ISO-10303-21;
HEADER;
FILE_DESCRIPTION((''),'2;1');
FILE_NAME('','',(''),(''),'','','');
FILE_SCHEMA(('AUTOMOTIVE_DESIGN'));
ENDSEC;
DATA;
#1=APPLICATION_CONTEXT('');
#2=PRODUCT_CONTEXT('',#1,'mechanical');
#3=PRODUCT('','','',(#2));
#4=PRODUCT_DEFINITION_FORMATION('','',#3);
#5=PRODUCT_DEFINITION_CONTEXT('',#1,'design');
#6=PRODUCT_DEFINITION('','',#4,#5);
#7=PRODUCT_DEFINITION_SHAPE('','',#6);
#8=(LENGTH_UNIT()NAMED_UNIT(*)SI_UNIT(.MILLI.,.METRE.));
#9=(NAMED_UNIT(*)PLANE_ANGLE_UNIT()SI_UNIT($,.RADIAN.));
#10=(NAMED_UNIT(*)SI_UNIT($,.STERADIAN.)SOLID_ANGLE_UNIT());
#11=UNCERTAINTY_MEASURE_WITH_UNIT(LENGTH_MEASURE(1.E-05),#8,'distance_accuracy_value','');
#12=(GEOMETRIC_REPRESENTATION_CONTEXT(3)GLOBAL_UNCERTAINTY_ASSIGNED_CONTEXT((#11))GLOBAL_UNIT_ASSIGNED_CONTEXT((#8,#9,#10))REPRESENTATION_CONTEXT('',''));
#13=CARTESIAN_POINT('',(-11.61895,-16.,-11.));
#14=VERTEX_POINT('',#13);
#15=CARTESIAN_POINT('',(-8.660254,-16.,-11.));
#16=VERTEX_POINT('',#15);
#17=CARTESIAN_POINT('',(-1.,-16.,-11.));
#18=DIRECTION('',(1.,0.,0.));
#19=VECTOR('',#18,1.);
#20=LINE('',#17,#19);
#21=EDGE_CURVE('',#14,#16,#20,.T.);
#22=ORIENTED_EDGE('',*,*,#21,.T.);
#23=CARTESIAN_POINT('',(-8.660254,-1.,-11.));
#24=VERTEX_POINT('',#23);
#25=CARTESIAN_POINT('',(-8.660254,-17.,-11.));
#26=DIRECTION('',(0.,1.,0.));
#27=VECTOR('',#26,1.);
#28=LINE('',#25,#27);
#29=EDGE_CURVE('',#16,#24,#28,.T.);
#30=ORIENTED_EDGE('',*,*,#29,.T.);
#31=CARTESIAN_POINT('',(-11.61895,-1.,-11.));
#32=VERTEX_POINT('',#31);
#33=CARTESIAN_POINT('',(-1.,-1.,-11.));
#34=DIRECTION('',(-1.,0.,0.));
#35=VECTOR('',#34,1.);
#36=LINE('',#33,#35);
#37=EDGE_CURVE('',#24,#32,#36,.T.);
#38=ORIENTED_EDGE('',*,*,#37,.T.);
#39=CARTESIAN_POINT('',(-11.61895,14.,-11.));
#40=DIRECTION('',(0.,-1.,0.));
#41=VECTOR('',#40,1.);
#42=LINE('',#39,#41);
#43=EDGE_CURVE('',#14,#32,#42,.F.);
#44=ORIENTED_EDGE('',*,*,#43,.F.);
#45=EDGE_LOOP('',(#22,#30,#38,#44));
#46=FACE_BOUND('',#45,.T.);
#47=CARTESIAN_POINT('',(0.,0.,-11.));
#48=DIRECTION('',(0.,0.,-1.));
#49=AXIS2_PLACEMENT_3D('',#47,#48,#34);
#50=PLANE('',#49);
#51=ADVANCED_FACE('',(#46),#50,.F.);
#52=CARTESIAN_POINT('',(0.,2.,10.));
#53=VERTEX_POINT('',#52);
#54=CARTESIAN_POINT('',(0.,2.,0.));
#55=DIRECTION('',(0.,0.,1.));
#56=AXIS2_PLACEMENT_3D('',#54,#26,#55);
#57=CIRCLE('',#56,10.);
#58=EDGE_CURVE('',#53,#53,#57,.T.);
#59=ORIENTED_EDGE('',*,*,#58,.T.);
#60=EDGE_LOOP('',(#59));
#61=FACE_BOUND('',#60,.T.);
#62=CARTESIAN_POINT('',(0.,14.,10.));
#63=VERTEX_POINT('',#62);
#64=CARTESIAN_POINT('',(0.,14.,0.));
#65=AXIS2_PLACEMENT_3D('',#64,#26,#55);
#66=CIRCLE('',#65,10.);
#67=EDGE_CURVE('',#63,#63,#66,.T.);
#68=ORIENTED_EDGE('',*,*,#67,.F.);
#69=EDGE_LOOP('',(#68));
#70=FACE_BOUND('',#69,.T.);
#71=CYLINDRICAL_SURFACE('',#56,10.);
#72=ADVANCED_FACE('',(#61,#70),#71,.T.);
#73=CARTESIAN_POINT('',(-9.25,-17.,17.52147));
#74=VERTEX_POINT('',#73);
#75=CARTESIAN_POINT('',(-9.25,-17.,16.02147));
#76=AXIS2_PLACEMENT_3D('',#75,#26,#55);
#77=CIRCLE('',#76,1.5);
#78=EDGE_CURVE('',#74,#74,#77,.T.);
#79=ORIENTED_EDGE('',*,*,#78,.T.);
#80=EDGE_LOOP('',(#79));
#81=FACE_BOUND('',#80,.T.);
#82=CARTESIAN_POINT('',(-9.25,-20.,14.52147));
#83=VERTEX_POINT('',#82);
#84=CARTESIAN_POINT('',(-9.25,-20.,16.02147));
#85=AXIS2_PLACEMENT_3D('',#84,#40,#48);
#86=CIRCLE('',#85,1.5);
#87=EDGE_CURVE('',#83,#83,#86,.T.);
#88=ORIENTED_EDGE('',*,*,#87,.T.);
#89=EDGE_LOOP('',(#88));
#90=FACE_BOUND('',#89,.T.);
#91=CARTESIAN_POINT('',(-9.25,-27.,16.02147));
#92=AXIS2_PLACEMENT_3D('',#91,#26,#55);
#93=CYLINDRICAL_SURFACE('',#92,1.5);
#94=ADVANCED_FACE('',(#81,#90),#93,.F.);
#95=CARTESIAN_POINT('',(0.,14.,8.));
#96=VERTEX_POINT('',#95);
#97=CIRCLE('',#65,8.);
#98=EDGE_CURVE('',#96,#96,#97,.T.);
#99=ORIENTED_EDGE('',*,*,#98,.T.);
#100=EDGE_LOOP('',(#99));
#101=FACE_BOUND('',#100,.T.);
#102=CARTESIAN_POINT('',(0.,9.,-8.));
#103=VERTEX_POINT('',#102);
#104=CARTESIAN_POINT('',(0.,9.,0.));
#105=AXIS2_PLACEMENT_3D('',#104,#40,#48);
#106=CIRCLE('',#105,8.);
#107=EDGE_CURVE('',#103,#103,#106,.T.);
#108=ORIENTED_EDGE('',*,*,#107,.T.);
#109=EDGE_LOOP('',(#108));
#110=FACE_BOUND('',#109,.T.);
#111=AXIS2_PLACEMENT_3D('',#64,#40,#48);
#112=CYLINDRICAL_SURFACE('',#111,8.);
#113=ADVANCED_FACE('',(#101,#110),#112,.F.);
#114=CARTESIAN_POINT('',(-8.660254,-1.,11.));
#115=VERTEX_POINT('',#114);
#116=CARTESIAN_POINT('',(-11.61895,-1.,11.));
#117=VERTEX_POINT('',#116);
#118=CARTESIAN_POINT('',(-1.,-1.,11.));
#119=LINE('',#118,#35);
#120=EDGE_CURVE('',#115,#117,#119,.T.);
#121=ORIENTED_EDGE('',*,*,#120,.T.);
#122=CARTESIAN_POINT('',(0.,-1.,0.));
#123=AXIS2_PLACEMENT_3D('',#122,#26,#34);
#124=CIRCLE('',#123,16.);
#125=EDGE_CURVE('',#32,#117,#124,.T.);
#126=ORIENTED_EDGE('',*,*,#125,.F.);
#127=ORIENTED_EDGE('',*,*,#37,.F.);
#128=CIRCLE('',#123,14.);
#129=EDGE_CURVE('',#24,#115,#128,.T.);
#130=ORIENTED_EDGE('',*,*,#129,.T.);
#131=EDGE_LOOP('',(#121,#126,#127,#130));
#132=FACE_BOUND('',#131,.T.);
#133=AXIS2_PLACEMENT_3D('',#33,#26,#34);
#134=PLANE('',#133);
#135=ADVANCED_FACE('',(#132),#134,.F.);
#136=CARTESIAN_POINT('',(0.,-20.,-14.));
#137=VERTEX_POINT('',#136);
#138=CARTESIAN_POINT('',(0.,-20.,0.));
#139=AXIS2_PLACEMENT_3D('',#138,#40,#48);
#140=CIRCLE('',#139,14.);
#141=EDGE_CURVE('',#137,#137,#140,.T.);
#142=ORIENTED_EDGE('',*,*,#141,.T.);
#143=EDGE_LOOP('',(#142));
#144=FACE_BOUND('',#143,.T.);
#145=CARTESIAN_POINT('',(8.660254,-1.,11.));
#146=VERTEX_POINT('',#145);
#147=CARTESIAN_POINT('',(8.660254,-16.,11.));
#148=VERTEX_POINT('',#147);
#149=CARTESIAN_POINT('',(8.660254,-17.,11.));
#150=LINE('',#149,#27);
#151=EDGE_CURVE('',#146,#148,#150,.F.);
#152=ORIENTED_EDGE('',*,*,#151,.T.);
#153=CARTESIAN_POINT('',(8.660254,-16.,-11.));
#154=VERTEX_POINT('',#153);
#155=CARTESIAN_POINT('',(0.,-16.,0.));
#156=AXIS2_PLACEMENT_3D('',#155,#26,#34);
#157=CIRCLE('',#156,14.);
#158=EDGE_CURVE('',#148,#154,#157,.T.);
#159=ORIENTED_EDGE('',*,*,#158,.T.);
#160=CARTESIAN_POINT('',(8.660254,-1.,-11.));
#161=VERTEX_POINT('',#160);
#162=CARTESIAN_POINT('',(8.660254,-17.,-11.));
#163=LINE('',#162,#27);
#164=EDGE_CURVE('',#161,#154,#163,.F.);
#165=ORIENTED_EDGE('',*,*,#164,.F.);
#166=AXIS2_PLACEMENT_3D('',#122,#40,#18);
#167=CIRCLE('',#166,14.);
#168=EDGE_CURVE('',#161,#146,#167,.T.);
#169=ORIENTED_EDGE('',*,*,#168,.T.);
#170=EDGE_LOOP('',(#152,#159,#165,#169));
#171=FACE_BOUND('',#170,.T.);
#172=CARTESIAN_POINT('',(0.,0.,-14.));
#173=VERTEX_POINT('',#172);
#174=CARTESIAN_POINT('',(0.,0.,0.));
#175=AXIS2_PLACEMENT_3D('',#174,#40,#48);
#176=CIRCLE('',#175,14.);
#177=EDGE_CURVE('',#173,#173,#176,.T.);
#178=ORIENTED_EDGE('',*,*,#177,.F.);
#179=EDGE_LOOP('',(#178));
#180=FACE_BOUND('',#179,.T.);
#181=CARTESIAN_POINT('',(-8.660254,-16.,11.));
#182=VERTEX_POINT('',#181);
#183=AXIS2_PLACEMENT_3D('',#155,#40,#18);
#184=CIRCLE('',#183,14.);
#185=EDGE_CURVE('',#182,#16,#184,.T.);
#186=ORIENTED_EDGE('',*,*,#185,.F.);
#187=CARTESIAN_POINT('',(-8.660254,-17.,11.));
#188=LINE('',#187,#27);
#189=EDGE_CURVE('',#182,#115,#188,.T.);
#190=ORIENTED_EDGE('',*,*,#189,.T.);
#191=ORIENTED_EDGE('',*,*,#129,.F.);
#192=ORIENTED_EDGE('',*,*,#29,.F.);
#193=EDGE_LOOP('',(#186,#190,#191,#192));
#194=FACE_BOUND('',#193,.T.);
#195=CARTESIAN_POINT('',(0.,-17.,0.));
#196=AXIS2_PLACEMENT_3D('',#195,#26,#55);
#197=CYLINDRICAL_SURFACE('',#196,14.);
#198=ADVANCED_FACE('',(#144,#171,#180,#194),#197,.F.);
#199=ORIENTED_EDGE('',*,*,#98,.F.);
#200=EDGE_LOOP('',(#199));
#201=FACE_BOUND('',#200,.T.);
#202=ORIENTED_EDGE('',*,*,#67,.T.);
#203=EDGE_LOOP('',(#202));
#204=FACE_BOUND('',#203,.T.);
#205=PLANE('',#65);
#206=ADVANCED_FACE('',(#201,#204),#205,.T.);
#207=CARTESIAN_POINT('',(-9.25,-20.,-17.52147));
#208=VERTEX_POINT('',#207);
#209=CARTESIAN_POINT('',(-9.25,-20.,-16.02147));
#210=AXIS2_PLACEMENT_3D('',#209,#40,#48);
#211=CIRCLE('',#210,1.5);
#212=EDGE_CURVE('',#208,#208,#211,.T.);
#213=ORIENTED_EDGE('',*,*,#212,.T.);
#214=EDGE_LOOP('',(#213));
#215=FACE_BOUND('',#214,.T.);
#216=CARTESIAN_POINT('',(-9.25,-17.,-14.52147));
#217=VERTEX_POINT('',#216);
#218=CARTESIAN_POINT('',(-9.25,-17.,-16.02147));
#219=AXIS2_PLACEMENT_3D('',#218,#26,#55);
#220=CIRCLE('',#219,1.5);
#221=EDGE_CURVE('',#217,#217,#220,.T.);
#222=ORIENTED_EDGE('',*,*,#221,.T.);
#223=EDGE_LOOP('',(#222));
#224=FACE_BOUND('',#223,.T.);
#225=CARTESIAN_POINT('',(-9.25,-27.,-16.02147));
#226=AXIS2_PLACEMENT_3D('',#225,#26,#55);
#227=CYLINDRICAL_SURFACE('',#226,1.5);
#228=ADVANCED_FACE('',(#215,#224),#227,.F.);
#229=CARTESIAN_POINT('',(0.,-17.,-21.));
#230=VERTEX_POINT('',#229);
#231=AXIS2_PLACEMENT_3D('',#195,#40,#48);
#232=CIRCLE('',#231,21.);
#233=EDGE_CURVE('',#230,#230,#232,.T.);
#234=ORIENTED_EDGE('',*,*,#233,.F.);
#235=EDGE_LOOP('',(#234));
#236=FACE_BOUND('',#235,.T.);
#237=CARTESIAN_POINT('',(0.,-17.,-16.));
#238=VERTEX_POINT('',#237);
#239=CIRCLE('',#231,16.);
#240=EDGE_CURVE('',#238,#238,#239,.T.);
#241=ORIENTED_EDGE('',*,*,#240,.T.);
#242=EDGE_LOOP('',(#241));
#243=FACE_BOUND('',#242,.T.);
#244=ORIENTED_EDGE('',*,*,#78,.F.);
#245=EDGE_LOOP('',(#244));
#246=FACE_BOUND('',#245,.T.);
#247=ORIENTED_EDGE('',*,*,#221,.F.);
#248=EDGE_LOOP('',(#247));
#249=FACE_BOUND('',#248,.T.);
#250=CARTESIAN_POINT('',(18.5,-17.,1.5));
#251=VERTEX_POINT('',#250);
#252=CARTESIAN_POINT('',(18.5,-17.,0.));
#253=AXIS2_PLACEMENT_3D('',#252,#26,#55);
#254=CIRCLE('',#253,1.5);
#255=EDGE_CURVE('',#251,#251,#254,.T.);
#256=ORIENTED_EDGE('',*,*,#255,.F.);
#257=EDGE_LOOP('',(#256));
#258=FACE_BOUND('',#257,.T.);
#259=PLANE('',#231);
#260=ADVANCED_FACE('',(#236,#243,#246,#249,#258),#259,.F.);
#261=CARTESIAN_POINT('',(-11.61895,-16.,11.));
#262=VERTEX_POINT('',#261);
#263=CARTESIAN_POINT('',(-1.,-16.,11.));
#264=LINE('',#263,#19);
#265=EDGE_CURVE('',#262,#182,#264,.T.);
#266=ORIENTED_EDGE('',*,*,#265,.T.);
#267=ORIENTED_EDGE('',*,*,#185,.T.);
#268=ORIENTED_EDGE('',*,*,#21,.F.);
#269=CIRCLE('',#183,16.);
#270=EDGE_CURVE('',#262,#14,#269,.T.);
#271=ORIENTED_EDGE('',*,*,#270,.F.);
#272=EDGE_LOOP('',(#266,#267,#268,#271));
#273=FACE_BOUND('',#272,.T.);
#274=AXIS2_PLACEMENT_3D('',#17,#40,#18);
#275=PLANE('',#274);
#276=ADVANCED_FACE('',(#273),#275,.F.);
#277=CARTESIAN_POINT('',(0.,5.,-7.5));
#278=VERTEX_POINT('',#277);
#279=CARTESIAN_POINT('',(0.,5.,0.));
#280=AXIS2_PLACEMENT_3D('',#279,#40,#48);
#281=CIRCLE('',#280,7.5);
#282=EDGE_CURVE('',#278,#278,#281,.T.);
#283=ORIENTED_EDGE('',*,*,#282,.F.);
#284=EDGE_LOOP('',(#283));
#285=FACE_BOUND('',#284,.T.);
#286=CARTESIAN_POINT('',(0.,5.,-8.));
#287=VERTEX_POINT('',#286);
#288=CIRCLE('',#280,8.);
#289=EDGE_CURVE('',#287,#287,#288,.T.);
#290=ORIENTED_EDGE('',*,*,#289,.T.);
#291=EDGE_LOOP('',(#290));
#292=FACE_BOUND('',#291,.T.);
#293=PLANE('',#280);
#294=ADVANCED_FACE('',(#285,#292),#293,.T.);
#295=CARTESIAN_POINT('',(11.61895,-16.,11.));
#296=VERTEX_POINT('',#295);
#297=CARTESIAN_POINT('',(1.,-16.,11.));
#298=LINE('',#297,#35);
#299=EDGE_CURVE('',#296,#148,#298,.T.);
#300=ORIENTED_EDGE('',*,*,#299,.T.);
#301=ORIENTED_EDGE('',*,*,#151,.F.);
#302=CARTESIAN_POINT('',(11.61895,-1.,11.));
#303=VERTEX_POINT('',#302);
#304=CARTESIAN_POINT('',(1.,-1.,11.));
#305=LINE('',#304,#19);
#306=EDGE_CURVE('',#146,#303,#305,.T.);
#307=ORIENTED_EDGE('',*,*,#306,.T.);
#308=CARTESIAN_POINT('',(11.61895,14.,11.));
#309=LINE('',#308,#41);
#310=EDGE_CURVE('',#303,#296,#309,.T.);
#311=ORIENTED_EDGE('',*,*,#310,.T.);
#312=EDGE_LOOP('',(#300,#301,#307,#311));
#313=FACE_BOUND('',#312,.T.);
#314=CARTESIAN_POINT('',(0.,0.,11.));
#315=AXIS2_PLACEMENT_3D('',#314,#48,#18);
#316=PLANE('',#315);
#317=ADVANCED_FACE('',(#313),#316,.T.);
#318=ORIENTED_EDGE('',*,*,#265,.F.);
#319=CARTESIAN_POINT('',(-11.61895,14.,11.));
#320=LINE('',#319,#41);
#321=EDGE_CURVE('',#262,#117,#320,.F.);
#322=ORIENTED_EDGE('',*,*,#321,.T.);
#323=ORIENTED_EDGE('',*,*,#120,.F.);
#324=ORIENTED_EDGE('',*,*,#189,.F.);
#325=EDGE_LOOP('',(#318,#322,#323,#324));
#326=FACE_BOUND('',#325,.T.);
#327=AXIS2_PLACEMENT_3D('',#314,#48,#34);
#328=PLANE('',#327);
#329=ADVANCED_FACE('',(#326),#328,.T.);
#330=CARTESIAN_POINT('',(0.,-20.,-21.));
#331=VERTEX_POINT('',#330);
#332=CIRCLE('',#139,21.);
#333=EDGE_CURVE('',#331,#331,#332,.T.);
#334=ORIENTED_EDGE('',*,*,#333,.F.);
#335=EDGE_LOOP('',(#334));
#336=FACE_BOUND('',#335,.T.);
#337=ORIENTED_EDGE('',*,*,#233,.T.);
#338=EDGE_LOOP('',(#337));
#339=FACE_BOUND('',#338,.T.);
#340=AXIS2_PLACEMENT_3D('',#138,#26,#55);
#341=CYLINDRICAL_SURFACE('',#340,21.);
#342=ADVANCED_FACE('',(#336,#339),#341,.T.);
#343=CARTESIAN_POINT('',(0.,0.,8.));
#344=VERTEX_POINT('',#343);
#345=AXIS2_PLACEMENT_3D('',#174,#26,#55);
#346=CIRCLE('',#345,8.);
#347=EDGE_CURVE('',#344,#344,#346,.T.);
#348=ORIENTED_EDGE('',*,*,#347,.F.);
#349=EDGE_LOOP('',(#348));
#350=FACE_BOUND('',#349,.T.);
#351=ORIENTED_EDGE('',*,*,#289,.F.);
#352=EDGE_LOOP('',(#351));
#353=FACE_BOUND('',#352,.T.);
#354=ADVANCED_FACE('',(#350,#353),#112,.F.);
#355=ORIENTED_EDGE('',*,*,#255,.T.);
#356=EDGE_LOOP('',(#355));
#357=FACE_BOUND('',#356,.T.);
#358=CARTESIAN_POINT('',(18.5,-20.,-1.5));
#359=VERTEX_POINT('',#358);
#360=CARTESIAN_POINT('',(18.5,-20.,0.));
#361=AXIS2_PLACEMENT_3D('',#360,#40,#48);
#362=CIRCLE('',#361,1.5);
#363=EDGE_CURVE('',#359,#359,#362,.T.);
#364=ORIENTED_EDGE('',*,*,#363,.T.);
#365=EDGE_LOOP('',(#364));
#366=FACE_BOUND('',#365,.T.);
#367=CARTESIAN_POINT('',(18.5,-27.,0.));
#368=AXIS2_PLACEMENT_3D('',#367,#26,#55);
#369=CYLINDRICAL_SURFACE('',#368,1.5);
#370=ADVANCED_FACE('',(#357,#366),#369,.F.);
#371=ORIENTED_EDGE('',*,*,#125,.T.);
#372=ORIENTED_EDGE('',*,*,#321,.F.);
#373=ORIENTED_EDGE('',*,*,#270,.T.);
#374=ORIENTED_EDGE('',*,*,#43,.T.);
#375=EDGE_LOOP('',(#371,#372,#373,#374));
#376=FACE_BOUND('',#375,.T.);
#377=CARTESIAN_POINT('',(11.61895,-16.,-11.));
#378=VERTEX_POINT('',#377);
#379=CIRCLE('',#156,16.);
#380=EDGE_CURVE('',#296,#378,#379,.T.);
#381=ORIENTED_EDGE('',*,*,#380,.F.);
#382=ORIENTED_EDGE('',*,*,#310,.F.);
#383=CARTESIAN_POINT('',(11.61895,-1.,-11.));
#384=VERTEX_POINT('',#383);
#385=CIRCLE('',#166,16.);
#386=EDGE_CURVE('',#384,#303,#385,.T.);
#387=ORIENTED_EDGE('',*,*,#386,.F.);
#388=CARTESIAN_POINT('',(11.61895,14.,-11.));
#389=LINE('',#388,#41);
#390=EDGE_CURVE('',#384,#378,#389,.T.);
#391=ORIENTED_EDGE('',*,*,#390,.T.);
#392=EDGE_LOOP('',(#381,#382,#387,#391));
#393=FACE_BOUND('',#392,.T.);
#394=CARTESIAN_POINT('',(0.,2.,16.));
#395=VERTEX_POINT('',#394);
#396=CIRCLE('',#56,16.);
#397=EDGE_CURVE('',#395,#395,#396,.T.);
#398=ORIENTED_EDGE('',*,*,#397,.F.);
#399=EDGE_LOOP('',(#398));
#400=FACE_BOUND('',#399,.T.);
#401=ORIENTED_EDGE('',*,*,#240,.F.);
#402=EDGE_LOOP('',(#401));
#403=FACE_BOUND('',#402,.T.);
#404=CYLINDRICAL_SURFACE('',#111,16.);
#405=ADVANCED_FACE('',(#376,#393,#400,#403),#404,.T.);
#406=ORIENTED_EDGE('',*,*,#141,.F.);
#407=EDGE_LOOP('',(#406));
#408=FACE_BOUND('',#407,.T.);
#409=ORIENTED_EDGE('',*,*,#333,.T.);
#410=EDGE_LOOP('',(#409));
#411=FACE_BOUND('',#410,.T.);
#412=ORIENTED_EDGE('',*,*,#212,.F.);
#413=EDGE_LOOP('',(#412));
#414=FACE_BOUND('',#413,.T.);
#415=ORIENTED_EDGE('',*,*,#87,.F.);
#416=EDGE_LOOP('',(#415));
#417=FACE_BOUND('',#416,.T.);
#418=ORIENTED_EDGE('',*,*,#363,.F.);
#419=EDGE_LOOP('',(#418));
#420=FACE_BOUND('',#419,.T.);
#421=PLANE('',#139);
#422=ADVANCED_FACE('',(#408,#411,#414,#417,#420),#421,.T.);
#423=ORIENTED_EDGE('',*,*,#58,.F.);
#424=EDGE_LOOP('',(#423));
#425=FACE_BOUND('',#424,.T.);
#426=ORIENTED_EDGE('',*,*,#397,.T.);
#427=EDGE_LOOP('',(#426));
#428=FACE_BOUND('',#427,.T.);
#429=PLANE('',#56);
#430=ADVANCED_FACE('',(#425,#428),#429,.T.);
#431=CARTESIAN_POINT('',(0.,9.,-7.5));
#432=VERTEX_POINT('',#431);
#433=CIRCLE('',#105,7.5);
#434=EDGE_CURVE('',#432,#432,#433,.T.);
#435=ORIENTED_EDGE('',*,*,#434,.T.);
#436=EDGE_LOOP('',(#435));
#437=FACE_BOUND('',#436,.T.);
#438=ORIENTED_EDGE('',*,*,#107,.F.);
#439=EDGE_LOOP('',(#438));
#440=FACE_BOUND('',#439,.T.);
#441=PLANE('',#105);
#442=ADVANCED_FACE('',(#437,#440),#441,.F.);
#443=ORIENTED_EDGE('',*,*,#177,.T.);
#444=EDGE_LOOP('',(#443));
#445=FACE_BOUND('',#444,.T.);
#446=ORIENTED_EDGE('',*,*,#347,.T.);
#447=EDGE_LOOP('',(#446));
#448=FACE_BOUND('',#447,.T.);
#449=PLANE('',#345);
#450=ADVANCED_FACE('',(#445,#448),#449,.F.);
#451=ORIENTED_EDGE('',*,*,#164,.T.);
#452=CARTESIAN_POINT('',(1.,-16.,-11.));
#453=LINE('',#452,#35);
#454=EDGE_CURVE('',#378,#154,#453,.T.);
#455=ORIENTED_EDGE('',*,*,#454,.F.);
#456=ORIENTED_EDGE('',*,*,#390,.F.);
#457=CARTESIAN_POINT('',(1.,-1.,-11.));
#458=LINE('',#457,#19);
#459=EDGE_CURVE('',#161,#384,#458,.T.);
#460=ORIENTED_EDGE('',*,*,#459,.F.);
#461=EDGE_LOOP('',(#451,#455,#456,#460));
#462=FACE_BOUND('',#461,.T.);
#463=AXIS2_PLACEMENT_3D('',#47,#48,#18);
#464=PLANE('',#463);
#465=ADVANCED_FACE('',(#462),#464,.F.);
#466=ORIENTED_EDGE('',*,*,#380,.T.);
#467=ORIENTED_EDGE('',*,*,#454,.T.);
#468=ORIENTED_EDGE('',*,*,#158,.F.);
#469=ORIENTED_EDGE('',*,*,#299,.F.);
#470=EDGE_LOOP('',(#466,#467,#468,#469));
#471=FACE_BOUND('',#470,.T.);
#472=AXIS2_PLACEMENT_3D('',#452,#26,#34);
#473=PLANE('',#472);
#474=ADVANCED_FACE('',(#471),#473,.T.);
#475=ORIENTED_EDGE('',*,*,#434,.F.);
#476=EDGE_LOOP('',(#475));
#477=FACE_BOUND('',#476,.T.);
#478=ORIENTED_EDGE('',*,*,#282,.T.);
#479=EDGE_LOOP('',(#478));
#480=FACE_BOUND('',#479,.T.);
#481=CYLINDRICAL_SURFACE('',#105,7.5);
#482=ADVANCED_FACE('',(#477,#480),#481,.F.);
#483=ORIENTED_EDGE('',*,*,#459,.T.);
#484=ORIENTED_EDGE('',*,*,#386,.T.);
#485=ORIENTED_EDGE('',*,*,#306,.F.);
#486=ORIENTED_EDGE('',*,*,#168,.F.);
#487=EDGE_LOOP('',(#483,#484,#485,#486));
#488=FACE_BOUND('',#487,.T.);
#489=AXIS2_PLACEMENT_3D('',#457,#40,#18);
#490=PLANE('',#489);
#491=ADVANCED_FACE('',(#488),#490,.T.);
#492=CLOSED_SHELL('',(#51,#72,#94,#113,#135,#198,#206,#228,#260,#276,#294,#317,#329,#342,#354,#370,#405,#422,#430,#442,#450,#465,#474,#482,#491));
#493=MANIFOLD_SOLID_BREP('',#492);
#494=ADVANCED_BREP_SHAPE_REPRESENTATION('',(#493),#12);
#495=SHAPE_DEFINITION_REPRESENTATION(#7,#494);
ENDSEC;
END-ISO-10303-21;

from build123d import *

# Parameters (mm, degrees)
SKETCH_1_R          = 16
SKETCH_1_R_2        = 8
EXTRUDE_1_DEPTH     = 14
SKETCH_2_R          = 20
SKETCH_2_R_2        = 10
CUT_EXTRUDE_1_DEPTH = 12
EXTRUDE_START       = -5
SKETCH_4_R          = 9.5
SKETCH_4_R_2        = 7.5
EXTRUDE_2_DEPTH     = 4
EXTRUDE_START_2     = 17
SKETCH_6_R          = 16
SKETCH_6_R_2        = 14
EXTRUDE_3_DEPTH     = 17
EXTRUDE_START_3     = 3
SKETCH_7_R          = 21
SKETCH_7_R_2        = 14
EXTRUDE_4_DEPTH     = 3
SKETCH_8_R          = 1.5
CUT_EXTRUDE_4_DEPTH = 10
SKETCH_11_W         = 15
SKETCH_11_H         = 15
CUT_EXTRUDE_5_DEPTH = 11


with BuildPart() as part:
    # 草图1 → 凸台-拉伸1 (new body)
    with BuildSketch(Plane(origin=(0, 0, 0), x_dir=(1, 0, 0), z_dir=(0, 1, 0))):
        with Locations(Location((0, 0, 0), (0, 0, 270))):
            Circle(SKETCH_1_R)
        with Locations(Location((0, 0, 0), (0, 0, 270))):
            Circle(SKETCH_1_R_2, mode=Mode.SUBTRACT)
    extrude(amount=EXTRUDE_1_DEPTH)

    # 草图2 → 切除-拉伸1 (cut)
    with BuildSketch(Plane(origin=(0, 14, 0), x_dir=(1, 0, 0), z_dir=(0, 1, 0))):
        Circle(SKETCH_2_R)
        with Locations(Location((0, 0, 0), (0, 0, 270))):
            Circle(SKETCH_2_R_2, mode=Mode.SUBTRACT)
    extrude(amount=-CUT_EXTRUDE_1_DEPTH, mode=Mode.SUBTRACT)

    # 草图4 → 凸台-拉伸2 (add)
    with BuildSketch(Plane.XZ.offset(EXTRUDE_START)):
        Circle(SKETCH_4_R)
        with Locations(Location((0, 0, 0), (0, 0, 270))):
            Circle(SKETCH_4_R_2, mode=Mode.SUBTRACT)
    extrude(amount=-EXTRUDE_2_DEPTH)

    # 草图6 → 凸台-拉伸3 (add)
    with BuildSketch(Plane.XZ.offset(EXTRUDE_START_2)):
        with Locations(Location((0, 0, 0), (0, 0, 270))):
            Circle(SKETCH_6_R)
        with Locations(Location((0, 0, 0), (0, 0, 270))):
            Circle(SKETCH_6_R_2, mode=Mode.SUBTRACT)
    extrude(amount=-EXTRUDE_3_DEPTH)

    # 草图7 → 凸台-拉伸4 (add)
    with BuildSketch(Plane.XZ.offset(17).offset(EXTRUDE_START_3)):
        with Locations(Location((0, 0, 0), (0, 0, 270))):
            Circle(SKETCH_7_R)
        with Locations(Location((0, 0, 0), (0, 0, 270))):
            Circle(SKETCH_7_R_2, mode=Mode.SUBTRACT)
    extrude(amount=-EXTRUDE_4_DEPTH)

    # 草图8 → 切除-拉伸4 (cut)
    with BuildSketch(Plane(origin=(0, -17, 0), x_dir=(1, 0, 0), z_dir=(0, 1, 0))):
        with Locations(Location((18.5, 0, 0), (0, 0, 270))):
            Circle(SKETCH_8_R)
        with Locations(Location((-9.25, -16.02146997, 0), (0, 0, 270))):
            Circle(SKETCH_8_R)
        with Locations(Location((-9.25, 16.02146997, 0), (0, 0, 270))):
            Circle(SKETCH_8_R)
    extrude(amount=-CUT_EXTRUDE_4_DEPTH, mode=Mode.SUBTRACT)

    # 草图11 → 切除-拉伸5 (cut, symmetric)
    with BuildSketch(Plane.XY):
        with Locations((-8.5, -8.5)):
            Rectangle(SKETCH_11_W, SKETCH_11_H)
    cut_extrude_5 = extrude(amount=CUT_EXTRUDE_5_DEPTH, both=True, mode=Mode.SUBTRACT)

    # 镜向1: 切除-拉伸5 across plane
    add(cut_extrude_5.mirror(Plane(origin=(0, 0, 0), x_dir=(0, 0, 1), z_dir=(1, 0, 0))), mode=Mode.SUBTRACT)


solid = part.part
